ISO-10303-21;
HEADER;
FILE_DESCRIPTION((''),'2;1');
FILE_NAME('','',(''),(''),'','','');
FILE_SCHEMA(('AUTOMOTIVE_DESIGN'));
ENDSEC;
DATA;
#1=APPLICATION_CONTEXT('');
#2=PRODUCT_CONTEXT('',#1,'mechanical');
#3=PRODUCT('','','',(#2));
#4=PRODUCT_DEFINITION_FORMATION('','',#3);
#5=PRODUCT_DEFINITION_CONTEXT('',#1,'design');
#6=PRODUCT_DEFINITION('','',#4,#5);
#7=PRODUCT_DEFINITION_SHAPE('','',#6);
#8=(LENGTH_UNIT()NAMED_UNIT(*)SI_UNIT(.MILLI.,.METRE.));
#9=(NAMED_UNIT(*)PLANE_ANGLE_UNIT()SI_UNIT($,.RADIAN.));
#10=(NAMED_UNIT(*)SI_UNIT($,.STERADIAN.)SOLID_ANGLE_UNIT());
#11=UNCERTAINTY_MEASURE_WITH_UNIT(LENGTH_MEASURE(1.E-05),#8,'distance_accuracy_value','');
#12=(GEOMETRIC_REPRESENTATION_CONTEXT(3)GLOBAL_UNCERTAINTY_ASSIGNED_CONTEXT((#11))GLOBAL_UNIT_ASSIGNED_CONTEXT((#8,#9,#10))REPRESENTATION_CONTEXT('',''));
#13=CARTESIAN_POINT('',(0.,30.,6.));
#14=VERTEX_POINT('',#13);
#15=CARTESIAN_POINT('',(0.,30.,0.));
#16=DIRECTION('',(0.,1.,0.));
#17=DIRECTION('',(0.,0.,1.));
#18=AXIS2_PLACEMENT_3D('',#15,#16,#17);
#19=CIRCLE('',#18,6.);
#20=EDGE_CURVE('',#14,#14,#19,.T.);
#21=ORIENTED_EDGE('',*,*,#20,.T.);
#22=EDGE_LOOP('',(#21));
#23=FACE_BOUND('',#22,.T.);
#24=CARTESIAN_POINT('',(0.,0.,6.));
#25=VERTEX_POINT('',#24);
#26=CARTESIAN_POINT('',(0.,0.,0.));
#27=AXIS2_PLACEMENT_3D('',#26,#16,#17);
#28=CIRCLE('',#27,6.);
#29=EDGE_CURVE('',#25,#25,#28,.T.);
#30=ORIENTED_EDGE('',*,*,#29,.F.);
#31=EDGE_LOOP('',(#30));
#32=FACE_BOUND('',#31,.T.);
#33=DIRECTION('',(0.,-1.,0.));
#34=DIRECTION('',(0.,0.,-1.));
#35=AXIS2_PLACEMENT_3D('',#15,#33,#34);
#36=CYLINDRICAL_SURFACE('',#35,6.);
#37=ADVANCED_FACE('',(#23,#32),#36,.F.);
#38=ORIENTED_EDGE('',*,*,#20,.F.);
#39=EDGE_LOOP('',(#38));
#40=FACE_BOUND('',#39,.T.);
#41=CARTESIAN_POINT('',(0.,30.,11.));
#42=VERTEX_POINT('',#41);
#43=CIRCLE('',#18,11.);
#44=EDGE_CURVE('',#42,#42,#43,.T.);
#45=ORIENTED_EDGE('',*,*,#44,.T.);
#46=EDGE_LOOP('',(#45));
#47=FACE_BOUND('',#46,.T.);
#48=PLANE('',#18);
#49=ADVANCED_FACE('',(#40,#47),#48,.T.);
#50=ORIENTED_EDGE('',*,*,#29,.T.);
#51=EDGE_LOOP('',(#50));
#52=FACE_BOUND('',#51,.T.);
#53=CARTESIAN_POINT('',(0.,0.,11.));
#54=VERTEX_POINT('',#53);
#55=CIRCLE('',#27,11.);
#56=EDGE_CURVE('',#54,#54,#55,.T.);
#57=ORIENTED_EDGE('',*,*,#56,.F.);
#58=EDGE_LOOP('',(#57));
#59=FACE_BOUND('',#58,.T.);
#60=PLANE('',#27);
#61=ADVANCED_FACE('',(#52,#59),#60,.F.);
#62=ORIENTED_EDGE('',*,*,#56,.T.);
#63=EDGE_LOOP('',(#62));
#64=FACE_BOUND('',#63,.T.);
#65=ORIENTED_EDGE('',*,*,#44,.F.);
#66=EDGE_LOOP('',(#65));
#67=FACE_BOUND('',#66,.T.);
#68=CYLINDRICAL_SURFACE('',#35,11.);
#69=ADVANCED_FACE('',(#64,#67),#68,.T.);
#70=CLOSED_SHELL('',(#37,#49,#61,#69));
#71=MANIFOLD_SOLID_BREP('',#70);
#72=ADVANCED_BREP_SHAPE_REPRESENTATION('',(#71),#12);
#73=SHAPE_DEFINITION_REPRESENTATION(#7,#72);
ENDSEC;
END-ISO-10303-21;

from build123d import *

# Parameters (mm, degrees)
SKETCH_1_R      = 11
SKETCH_1_R_2    = 6
EXTRUDE_1_DEPTH = 30


with BuildPart() as part:
    # 草图1 → 凸台-拉伸1 (new body)
    with BuildSketch(Plane(origin=(0, 0, 0), x_dir=(1, 0, 0), z_dir=(0, 1, 0))):
        with Locations(Location((0, 0, 0), (0, 0, 270))):
            Circle(SKETCH_1_R)
        with Locations(Location((0, 0, 0), (0, 0, 270))):
            Circle(SKETCH_1_R_2, mode=Mode.SUBTRACT)
    extrude(amount=EXTRUDE_1_DEPTH)


solid = part.part
